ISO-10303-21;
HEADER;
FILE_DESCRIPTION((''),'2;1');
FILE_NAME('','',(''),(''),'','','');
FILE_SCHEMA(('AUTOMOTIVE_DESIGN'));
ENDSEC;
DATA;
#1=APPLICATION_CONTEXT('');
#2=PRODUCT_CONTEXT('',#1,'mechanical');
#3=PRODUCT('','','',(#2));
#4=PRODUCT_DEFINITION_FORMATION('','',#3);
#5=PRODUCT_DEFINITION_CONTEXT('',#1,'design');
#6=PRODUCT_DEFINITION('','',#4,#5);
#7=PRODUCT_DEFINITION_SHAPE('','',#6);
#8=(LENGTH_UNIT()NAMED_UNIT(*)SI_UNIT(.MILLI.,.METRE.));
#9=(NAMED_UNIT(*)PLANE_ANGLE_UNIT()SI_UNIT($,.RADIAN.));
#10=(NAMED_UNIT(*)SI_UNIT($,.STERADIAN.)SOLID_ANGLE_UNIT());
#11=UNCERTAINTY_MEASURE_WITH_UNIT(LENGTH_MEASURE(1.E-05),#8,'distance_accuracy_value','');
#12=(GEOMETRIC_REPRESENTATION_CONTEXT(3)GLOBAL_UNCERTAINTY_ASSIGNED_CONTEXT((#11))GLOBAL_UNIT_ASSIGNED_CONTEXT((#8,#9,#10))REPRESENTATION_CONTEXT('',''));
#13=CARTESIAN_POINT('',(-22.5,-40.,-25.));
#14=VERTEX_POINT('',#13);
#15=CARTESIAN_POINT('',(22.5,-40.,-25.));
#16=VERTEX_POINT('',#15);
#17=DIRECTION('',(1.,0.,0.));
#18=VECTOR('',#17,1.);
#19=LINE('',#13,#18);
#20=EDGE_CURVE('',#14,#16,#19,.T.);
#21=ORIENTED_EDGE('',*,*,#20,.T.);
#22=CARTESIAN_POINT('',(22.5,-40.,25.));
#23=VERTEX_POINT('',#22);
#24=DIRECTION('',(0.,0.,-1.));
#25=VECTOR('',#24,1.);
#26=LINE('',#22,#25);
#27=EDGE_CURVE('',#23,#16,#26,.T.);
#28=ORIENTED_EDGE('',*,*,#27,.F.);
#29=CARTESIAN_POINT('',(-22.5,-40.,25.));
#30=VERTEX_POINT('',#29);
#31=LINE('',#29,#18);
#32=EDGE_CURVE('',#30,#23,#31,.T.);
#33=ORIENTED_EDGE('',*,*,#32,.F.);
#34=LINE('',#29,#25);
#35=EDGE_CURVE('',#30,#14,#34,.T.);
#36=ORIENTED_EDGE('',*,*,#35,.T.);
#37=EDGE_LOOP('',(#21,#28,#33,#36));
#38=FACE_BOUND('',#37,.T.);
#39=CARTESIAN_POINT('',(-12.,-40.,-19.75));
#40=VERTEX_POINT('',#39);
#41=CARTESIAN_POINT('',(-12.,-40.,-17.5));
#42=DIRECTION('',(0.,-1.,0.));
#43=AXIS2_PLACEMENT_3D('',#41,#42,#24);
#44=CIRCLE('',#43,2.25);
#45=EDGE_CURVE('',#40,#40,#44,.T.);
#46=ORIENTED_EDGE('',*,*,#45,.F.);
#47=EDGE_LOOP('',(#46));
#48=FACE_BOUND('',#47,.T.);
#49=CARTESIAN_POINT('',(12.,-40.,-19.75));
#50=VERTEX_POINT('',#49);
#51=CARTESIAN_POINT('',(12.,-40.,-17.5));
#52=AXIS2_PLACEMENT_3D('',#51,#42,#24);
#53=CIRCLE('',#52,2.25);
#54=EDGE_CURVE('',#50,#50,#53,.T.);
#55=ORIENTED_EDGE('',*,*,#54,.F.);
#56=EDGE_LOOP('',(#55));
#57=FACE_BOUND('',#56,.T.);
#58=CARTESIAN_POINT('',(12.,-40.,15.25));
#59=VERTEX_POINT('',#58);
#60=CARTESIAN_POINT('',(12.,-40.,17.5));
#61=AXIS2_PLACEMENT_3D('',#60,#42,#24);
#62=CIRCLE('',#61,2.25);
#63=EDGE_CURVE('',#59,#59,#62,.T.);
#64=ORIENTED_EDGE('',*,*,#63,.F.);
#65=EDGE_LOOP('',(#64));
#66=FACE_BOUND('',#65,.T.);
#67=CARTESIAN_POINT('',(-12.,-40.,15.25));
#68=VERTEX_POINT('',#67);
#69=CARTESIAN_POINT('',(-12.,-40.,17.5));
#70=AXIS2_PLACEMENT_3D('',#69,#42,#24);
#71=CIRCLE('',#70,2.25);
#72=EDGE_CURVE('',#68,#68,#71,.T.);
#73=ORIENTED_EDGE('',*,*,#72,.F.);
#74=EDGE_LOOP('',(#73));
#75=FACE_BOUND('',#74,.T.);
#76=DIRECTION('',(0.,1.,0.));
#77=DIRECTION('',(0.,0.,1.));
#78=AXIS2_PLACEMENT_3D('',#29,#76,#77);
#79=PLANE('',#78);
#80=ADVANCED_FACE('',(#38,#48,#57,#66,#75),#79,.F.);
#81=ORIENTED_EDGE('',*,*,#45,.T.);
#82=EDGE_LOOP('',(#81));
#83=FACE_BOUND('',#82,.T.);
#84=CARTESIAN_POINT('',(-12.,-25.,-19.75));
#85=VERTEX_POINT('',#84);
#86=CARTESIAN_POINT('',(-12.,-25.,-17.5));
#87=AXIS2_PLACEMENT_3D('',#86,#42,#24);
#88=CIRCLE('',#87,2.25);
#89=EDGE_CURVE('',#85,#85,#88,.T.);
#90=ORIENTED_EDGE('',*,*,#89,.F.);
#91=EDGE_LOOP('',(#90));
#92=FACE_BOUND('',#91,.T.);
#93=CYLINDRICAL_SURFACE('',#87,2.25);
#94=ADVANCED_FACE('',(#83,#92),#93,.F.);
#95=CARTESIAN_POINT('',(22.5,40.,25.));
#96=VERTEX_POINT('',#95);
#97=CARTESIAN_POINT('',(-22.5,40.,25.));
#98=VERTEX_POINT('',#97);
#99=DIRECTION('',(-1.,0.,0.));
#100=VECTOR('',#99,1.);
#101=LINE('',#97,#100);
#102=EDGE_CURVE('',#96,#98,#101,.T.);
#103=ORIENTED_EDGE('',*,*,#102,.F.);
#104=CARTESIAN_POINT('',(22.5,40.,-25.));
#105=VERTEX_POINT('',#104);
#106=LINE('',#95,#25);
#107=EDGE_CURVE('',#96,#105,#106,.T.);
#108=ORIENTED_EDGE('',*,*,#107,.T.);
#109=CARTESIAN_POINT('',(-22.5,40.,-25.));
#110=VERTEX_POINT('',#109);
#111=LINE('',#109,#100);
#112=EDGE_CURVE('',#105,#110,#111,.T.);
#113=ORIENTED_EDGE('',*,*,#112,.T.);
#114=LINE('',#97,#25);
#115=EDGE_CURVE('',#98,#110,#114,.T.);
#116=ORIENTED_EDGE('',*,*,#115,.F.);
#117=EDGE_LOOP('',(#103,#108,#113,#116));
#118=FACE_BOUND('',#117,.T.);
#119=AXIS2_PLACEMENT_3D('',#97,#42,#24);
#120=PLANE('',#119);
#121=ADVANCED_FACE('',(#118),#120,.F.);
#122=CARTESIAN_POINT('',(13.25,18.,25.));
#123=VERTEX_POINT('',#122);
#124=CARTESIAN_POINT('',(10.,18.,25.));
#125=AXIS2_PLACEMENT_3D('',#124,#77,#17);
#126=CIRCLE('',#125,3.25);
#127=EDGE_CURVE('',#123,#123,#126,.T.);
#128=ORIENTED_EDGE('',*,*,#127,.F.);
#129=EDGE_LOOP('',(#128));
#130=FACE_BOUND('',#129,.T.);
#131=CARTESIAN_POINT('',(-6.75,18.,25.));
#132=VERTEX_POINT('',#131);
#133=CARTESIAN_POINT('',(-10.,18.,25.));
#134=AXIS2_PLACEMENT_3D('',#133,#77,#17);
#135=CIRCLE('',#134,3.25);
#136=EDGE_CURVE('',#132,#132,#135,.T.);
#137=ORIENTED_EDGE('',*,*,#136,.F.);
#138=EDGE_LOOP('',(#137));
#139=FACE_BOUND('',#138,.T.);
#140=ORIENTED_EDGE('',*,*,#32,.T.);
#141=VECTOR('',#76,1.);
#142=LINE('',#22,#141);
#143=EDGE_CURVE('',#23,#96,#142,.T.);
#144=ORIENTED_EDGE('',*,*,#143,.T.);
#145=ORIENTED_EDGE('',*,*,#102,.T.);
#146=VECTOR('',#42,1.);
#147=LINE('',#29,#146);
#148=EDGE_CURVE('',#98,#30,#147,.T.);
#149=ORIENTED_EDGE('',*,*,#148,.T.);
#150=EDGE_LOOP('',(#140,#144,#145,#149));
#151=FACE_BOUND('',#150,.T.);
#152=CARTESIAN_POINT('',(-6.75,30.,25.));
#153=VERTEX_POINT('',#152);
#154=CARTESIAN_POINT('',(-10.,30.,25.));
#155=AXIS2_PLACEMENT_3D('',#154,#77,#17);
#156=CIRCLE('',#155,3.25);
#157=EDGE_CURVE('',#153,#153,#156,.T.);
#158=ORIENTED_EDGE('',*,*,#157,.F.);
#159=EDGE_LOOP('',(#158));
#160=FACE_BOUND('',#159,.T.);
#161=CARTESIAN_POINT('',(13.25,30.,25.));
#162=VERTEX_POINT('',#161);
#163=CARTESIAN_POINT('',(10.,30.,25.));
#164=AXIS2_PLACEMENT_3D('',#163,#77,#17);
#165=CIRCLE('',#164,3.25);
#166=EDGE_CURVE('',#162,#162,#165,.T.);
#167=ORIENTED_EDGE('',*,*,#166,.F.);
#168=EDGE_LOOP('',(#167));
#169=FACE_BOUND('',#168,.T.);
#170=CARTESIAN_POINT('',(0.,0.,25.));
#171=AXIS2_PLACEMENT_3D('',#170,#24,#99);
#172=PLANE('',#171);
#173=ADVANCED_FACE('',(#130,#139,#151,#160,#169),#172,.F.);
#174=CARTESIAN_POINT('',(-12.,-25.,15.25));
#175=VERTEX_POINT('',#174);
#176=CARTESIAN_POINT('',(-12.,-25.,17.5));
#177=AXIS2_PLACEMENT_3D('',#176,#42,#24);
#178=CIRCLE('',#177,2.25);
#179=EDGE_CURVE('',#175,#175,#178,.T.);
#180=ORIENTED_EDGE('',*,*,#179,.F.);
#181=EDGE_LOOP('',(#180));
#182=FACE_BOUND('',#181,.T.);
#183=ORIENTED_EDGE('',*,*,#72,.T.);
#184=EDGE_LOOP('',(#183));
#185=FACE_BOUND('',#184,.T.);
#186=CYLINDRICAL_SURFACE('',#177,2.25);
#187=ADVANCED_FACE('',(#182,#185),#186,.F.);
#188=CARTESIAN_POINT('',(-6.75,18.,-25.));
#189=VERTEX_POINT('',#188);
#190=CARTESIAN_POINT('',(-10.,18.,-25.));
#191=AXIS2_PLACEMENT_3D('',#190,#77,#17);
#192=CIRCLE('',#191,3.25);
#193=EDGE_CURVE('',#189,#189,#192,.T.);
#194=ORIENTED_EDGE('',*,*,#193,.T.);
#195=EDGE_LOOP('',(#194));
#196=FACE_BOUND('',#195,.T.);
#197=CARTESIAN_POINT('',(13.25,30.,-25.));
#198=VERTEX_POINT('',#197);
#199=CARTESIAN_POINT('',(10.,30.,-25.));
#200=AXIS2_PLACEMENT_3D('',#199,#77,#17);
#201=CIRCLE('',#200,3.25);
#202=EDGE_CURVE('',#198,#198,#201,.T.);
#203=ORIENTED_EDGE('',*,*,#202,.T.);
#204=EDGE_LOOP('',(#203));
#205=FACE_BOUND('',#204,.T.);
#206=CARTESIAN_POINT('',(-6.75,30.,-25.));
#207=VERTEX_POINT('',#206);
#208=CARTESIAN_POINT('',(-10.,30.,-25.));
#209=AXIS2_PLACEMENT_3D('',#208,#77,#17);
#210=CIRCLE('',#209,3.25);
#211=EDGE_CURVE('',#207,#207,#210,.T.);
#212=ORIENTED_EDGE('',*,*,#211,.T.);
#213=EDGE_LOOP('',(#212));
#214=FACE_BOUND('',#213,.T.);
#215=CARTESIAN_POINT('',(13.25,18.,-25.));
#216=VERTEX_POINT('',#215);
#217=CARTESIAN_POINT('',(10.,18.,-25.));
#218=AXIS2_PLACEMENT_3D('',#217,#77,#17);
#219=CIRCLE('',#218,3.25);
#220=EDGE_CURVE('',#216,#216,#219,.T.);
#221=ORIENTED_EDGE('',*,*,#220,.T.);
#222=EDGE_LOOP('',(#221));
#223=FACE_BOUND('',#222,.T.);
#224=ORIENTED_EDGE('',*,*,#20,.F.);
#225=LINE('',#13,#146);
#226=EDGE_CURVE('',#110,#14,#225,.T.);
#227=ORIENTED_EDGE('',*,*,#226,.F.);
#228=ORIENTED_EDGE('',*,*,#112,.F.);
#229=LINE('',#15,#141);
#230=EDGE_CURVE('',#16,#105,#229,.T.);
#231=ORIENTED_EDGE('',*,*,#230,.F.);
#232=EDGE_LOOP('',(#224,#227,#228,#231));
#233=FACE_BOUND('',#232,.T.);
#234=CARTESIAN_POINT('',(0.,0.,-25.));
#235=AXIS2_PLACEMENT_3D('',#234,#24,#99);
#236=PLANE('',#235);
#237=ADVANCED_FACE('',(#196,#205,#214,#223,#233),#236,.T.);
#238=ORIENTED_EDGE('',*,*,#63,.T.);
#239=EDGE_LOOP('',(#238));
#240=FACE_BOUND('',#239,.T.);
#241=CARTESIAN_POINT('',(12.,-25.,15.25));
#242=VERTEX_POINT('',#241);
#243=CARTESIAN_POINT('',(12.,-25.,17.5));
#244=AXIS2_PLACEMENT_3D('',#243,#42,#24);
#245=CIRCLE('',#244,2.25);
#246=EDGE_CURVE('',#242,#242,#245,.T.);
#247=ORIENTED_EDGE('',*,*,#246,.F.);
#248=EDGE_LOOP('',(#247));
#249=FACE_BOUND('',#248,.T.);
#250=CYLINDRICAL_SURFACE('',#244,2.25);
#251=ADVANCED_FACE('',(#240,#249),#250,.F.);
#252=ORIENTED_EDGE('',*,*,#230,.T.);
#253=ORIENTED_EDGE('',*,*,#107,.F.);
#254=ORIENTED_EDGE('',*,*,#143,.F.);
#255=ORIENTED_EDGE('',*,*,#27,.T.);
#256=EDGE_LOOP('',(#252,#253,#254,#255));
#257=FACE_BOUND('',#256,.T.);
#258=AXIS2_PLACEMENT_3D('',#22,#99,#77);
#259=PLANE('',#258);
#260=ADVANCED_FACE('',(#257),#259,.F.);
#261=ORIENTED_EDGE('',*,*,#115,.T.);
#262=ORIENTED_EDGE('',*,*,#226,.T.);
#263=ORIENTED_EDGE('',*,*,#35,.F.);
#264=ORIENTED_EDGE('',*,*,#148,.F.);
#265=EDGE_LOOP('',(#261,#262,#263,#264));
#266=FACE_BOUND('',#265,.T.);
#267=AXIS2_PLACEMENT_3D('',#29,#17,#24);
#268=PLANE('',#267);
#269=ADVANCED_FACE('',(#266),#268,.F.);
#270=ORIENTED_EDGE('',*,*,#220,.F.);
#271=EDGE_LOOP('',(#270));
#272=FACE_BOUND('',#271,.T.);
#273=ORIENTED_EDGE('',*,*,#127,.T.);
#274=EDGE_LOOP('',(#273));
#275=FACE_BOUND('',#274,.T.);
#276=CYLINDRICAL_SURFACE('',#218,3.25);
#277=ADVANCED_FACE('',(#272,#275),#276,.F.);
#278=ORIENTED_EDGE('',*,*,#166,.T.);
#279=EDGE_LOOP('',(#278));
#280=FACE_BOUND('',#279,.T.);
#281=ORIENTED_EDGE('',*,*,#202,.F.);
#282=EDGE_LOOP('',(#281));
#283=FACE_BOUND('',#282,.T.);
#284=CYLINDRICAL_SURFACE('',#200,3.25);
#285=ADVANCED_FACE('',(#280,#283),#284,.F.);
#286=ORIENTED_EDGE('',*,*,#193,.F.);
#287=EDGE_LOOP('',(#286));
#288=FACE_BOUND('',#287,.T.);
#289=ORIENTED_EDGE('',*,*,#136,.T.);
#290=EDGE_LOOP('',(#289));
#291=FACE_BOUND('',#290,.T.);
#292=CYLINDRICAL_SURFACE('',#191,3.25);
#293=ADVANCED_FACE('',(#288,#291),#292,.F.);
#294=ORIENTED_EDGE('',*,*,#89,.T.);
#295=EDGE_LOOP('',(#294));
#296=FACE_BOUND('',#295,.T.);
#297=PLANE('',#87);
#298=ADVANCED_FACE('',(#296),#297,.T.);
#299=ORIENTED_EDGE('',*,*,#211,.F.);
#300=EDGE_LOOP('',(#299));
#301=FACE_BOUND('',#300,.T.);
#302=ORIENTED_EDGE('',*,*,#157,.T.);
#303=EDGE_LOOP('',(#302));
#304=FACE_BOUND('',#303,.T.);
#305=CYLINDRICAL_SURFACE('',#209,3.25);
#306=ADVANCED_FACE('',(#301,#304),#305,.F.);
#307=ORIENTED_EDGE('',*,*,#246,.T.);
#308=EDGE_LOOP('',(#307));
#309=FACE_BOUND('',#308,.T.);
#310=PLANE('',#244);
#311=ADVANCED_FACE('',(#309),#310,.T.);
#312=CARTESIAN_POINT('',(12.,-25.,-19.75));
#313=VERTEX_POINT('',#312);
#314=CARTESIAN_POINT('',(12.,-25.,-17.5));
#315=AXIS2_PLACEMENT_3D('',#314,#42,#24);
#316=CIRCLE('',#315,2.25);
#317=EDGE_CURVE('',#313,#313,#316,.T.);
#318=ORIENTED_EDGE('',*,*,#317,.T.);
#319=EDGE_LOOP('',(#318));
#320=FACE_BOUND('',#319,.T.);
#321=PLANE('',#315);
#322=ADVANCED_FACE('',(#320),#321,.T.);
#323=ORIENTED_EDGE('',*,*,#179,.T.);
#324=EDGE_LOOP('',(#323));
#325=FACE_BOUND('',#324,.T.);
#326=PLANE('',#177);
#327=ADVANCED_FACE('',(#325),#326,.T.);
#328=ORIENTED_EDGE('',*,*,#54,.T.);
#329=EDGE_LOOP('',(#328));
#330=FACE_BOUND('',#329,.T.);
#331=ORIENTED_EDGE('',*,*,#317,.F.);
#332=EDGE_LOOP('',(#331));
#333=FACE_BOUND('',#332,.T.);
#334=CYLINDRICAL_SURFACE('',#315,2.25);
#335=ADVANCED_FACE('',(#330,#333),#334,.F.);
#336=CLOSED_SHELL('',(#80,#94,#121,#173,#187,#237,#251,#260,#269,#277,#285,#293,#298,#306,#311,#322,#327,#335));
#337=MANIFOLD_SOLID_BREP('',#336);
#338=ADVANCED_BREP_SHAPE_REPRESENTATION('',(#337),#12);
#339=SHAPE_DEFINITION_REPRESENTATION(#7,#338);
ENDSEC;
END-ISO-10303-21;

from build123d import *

# Parameters (mm, degrees)
SKETCH1_W           = 45
SKETCH1_H           = 80
BOSS_EXTRUDE1_DEPTH = 25
SKETCH3_R           = 3.25
CUT_EXTRUDE1_DEPTH  = 26
LPATTERN1_COUNT     = 2
LPATTERN1_PITCH     = 12
SKETCH4_R           = 2.25
CUT_EXTRUDE2_DEPTH  = 15


with BuildPart() as part:
    # Sketch1 → Boss-Extrude1 (new body, symmetric)
    with BuildSketch(Plane.XY):
        Rectangle(SKETCH1_W, SKETCH1_H)
    extrude(amount=BOSS_EXTRUDE1_DEPTH, both=True)

    # Sketch3 → Cut-Extrude1 (cut, symmetric)
    with BuildSketch(Plane.XY):
        with Locations((-10, 30)):
            Circle(SKETCH3_R)
        with Locations((10, 30)):
            Circle(SKETCH3_R)
    cut_extrude1 = extrude(amount=CUT_EXTRUDE1_DEPTH, both=True, mode=Mode.SUBTRACT)

    # LPattern1: Cut-Extrude1 ×2
    with Locations(*[(0, -i * LPATTERN1_PITCH, 0) for i in range(1, LPATTERN1_COUNT)]):
        add(cut_extrude1, mode=Mode.SUBTRACT)

    # Sketch4 → Cut-Extrude2 (cut)
    with BuildSketch(Plane.XZ.offset(40)):
        with Locations((-12, 17.5)):
            Circle(SKETCH4_R)
        with Locations((12, 17.5)):
            Circle(SKETCH4_R)
        with Locations((-12, -17.5)):
            Circle(SKETCH4_R)
        with Locations((12, -17.5)):
            Circle(SKETCH4_R)
    extrude(amount=-CUT_EXTRUDE2_DEPTH, mode=Mode.SUBTRACT)


solid = part.part
